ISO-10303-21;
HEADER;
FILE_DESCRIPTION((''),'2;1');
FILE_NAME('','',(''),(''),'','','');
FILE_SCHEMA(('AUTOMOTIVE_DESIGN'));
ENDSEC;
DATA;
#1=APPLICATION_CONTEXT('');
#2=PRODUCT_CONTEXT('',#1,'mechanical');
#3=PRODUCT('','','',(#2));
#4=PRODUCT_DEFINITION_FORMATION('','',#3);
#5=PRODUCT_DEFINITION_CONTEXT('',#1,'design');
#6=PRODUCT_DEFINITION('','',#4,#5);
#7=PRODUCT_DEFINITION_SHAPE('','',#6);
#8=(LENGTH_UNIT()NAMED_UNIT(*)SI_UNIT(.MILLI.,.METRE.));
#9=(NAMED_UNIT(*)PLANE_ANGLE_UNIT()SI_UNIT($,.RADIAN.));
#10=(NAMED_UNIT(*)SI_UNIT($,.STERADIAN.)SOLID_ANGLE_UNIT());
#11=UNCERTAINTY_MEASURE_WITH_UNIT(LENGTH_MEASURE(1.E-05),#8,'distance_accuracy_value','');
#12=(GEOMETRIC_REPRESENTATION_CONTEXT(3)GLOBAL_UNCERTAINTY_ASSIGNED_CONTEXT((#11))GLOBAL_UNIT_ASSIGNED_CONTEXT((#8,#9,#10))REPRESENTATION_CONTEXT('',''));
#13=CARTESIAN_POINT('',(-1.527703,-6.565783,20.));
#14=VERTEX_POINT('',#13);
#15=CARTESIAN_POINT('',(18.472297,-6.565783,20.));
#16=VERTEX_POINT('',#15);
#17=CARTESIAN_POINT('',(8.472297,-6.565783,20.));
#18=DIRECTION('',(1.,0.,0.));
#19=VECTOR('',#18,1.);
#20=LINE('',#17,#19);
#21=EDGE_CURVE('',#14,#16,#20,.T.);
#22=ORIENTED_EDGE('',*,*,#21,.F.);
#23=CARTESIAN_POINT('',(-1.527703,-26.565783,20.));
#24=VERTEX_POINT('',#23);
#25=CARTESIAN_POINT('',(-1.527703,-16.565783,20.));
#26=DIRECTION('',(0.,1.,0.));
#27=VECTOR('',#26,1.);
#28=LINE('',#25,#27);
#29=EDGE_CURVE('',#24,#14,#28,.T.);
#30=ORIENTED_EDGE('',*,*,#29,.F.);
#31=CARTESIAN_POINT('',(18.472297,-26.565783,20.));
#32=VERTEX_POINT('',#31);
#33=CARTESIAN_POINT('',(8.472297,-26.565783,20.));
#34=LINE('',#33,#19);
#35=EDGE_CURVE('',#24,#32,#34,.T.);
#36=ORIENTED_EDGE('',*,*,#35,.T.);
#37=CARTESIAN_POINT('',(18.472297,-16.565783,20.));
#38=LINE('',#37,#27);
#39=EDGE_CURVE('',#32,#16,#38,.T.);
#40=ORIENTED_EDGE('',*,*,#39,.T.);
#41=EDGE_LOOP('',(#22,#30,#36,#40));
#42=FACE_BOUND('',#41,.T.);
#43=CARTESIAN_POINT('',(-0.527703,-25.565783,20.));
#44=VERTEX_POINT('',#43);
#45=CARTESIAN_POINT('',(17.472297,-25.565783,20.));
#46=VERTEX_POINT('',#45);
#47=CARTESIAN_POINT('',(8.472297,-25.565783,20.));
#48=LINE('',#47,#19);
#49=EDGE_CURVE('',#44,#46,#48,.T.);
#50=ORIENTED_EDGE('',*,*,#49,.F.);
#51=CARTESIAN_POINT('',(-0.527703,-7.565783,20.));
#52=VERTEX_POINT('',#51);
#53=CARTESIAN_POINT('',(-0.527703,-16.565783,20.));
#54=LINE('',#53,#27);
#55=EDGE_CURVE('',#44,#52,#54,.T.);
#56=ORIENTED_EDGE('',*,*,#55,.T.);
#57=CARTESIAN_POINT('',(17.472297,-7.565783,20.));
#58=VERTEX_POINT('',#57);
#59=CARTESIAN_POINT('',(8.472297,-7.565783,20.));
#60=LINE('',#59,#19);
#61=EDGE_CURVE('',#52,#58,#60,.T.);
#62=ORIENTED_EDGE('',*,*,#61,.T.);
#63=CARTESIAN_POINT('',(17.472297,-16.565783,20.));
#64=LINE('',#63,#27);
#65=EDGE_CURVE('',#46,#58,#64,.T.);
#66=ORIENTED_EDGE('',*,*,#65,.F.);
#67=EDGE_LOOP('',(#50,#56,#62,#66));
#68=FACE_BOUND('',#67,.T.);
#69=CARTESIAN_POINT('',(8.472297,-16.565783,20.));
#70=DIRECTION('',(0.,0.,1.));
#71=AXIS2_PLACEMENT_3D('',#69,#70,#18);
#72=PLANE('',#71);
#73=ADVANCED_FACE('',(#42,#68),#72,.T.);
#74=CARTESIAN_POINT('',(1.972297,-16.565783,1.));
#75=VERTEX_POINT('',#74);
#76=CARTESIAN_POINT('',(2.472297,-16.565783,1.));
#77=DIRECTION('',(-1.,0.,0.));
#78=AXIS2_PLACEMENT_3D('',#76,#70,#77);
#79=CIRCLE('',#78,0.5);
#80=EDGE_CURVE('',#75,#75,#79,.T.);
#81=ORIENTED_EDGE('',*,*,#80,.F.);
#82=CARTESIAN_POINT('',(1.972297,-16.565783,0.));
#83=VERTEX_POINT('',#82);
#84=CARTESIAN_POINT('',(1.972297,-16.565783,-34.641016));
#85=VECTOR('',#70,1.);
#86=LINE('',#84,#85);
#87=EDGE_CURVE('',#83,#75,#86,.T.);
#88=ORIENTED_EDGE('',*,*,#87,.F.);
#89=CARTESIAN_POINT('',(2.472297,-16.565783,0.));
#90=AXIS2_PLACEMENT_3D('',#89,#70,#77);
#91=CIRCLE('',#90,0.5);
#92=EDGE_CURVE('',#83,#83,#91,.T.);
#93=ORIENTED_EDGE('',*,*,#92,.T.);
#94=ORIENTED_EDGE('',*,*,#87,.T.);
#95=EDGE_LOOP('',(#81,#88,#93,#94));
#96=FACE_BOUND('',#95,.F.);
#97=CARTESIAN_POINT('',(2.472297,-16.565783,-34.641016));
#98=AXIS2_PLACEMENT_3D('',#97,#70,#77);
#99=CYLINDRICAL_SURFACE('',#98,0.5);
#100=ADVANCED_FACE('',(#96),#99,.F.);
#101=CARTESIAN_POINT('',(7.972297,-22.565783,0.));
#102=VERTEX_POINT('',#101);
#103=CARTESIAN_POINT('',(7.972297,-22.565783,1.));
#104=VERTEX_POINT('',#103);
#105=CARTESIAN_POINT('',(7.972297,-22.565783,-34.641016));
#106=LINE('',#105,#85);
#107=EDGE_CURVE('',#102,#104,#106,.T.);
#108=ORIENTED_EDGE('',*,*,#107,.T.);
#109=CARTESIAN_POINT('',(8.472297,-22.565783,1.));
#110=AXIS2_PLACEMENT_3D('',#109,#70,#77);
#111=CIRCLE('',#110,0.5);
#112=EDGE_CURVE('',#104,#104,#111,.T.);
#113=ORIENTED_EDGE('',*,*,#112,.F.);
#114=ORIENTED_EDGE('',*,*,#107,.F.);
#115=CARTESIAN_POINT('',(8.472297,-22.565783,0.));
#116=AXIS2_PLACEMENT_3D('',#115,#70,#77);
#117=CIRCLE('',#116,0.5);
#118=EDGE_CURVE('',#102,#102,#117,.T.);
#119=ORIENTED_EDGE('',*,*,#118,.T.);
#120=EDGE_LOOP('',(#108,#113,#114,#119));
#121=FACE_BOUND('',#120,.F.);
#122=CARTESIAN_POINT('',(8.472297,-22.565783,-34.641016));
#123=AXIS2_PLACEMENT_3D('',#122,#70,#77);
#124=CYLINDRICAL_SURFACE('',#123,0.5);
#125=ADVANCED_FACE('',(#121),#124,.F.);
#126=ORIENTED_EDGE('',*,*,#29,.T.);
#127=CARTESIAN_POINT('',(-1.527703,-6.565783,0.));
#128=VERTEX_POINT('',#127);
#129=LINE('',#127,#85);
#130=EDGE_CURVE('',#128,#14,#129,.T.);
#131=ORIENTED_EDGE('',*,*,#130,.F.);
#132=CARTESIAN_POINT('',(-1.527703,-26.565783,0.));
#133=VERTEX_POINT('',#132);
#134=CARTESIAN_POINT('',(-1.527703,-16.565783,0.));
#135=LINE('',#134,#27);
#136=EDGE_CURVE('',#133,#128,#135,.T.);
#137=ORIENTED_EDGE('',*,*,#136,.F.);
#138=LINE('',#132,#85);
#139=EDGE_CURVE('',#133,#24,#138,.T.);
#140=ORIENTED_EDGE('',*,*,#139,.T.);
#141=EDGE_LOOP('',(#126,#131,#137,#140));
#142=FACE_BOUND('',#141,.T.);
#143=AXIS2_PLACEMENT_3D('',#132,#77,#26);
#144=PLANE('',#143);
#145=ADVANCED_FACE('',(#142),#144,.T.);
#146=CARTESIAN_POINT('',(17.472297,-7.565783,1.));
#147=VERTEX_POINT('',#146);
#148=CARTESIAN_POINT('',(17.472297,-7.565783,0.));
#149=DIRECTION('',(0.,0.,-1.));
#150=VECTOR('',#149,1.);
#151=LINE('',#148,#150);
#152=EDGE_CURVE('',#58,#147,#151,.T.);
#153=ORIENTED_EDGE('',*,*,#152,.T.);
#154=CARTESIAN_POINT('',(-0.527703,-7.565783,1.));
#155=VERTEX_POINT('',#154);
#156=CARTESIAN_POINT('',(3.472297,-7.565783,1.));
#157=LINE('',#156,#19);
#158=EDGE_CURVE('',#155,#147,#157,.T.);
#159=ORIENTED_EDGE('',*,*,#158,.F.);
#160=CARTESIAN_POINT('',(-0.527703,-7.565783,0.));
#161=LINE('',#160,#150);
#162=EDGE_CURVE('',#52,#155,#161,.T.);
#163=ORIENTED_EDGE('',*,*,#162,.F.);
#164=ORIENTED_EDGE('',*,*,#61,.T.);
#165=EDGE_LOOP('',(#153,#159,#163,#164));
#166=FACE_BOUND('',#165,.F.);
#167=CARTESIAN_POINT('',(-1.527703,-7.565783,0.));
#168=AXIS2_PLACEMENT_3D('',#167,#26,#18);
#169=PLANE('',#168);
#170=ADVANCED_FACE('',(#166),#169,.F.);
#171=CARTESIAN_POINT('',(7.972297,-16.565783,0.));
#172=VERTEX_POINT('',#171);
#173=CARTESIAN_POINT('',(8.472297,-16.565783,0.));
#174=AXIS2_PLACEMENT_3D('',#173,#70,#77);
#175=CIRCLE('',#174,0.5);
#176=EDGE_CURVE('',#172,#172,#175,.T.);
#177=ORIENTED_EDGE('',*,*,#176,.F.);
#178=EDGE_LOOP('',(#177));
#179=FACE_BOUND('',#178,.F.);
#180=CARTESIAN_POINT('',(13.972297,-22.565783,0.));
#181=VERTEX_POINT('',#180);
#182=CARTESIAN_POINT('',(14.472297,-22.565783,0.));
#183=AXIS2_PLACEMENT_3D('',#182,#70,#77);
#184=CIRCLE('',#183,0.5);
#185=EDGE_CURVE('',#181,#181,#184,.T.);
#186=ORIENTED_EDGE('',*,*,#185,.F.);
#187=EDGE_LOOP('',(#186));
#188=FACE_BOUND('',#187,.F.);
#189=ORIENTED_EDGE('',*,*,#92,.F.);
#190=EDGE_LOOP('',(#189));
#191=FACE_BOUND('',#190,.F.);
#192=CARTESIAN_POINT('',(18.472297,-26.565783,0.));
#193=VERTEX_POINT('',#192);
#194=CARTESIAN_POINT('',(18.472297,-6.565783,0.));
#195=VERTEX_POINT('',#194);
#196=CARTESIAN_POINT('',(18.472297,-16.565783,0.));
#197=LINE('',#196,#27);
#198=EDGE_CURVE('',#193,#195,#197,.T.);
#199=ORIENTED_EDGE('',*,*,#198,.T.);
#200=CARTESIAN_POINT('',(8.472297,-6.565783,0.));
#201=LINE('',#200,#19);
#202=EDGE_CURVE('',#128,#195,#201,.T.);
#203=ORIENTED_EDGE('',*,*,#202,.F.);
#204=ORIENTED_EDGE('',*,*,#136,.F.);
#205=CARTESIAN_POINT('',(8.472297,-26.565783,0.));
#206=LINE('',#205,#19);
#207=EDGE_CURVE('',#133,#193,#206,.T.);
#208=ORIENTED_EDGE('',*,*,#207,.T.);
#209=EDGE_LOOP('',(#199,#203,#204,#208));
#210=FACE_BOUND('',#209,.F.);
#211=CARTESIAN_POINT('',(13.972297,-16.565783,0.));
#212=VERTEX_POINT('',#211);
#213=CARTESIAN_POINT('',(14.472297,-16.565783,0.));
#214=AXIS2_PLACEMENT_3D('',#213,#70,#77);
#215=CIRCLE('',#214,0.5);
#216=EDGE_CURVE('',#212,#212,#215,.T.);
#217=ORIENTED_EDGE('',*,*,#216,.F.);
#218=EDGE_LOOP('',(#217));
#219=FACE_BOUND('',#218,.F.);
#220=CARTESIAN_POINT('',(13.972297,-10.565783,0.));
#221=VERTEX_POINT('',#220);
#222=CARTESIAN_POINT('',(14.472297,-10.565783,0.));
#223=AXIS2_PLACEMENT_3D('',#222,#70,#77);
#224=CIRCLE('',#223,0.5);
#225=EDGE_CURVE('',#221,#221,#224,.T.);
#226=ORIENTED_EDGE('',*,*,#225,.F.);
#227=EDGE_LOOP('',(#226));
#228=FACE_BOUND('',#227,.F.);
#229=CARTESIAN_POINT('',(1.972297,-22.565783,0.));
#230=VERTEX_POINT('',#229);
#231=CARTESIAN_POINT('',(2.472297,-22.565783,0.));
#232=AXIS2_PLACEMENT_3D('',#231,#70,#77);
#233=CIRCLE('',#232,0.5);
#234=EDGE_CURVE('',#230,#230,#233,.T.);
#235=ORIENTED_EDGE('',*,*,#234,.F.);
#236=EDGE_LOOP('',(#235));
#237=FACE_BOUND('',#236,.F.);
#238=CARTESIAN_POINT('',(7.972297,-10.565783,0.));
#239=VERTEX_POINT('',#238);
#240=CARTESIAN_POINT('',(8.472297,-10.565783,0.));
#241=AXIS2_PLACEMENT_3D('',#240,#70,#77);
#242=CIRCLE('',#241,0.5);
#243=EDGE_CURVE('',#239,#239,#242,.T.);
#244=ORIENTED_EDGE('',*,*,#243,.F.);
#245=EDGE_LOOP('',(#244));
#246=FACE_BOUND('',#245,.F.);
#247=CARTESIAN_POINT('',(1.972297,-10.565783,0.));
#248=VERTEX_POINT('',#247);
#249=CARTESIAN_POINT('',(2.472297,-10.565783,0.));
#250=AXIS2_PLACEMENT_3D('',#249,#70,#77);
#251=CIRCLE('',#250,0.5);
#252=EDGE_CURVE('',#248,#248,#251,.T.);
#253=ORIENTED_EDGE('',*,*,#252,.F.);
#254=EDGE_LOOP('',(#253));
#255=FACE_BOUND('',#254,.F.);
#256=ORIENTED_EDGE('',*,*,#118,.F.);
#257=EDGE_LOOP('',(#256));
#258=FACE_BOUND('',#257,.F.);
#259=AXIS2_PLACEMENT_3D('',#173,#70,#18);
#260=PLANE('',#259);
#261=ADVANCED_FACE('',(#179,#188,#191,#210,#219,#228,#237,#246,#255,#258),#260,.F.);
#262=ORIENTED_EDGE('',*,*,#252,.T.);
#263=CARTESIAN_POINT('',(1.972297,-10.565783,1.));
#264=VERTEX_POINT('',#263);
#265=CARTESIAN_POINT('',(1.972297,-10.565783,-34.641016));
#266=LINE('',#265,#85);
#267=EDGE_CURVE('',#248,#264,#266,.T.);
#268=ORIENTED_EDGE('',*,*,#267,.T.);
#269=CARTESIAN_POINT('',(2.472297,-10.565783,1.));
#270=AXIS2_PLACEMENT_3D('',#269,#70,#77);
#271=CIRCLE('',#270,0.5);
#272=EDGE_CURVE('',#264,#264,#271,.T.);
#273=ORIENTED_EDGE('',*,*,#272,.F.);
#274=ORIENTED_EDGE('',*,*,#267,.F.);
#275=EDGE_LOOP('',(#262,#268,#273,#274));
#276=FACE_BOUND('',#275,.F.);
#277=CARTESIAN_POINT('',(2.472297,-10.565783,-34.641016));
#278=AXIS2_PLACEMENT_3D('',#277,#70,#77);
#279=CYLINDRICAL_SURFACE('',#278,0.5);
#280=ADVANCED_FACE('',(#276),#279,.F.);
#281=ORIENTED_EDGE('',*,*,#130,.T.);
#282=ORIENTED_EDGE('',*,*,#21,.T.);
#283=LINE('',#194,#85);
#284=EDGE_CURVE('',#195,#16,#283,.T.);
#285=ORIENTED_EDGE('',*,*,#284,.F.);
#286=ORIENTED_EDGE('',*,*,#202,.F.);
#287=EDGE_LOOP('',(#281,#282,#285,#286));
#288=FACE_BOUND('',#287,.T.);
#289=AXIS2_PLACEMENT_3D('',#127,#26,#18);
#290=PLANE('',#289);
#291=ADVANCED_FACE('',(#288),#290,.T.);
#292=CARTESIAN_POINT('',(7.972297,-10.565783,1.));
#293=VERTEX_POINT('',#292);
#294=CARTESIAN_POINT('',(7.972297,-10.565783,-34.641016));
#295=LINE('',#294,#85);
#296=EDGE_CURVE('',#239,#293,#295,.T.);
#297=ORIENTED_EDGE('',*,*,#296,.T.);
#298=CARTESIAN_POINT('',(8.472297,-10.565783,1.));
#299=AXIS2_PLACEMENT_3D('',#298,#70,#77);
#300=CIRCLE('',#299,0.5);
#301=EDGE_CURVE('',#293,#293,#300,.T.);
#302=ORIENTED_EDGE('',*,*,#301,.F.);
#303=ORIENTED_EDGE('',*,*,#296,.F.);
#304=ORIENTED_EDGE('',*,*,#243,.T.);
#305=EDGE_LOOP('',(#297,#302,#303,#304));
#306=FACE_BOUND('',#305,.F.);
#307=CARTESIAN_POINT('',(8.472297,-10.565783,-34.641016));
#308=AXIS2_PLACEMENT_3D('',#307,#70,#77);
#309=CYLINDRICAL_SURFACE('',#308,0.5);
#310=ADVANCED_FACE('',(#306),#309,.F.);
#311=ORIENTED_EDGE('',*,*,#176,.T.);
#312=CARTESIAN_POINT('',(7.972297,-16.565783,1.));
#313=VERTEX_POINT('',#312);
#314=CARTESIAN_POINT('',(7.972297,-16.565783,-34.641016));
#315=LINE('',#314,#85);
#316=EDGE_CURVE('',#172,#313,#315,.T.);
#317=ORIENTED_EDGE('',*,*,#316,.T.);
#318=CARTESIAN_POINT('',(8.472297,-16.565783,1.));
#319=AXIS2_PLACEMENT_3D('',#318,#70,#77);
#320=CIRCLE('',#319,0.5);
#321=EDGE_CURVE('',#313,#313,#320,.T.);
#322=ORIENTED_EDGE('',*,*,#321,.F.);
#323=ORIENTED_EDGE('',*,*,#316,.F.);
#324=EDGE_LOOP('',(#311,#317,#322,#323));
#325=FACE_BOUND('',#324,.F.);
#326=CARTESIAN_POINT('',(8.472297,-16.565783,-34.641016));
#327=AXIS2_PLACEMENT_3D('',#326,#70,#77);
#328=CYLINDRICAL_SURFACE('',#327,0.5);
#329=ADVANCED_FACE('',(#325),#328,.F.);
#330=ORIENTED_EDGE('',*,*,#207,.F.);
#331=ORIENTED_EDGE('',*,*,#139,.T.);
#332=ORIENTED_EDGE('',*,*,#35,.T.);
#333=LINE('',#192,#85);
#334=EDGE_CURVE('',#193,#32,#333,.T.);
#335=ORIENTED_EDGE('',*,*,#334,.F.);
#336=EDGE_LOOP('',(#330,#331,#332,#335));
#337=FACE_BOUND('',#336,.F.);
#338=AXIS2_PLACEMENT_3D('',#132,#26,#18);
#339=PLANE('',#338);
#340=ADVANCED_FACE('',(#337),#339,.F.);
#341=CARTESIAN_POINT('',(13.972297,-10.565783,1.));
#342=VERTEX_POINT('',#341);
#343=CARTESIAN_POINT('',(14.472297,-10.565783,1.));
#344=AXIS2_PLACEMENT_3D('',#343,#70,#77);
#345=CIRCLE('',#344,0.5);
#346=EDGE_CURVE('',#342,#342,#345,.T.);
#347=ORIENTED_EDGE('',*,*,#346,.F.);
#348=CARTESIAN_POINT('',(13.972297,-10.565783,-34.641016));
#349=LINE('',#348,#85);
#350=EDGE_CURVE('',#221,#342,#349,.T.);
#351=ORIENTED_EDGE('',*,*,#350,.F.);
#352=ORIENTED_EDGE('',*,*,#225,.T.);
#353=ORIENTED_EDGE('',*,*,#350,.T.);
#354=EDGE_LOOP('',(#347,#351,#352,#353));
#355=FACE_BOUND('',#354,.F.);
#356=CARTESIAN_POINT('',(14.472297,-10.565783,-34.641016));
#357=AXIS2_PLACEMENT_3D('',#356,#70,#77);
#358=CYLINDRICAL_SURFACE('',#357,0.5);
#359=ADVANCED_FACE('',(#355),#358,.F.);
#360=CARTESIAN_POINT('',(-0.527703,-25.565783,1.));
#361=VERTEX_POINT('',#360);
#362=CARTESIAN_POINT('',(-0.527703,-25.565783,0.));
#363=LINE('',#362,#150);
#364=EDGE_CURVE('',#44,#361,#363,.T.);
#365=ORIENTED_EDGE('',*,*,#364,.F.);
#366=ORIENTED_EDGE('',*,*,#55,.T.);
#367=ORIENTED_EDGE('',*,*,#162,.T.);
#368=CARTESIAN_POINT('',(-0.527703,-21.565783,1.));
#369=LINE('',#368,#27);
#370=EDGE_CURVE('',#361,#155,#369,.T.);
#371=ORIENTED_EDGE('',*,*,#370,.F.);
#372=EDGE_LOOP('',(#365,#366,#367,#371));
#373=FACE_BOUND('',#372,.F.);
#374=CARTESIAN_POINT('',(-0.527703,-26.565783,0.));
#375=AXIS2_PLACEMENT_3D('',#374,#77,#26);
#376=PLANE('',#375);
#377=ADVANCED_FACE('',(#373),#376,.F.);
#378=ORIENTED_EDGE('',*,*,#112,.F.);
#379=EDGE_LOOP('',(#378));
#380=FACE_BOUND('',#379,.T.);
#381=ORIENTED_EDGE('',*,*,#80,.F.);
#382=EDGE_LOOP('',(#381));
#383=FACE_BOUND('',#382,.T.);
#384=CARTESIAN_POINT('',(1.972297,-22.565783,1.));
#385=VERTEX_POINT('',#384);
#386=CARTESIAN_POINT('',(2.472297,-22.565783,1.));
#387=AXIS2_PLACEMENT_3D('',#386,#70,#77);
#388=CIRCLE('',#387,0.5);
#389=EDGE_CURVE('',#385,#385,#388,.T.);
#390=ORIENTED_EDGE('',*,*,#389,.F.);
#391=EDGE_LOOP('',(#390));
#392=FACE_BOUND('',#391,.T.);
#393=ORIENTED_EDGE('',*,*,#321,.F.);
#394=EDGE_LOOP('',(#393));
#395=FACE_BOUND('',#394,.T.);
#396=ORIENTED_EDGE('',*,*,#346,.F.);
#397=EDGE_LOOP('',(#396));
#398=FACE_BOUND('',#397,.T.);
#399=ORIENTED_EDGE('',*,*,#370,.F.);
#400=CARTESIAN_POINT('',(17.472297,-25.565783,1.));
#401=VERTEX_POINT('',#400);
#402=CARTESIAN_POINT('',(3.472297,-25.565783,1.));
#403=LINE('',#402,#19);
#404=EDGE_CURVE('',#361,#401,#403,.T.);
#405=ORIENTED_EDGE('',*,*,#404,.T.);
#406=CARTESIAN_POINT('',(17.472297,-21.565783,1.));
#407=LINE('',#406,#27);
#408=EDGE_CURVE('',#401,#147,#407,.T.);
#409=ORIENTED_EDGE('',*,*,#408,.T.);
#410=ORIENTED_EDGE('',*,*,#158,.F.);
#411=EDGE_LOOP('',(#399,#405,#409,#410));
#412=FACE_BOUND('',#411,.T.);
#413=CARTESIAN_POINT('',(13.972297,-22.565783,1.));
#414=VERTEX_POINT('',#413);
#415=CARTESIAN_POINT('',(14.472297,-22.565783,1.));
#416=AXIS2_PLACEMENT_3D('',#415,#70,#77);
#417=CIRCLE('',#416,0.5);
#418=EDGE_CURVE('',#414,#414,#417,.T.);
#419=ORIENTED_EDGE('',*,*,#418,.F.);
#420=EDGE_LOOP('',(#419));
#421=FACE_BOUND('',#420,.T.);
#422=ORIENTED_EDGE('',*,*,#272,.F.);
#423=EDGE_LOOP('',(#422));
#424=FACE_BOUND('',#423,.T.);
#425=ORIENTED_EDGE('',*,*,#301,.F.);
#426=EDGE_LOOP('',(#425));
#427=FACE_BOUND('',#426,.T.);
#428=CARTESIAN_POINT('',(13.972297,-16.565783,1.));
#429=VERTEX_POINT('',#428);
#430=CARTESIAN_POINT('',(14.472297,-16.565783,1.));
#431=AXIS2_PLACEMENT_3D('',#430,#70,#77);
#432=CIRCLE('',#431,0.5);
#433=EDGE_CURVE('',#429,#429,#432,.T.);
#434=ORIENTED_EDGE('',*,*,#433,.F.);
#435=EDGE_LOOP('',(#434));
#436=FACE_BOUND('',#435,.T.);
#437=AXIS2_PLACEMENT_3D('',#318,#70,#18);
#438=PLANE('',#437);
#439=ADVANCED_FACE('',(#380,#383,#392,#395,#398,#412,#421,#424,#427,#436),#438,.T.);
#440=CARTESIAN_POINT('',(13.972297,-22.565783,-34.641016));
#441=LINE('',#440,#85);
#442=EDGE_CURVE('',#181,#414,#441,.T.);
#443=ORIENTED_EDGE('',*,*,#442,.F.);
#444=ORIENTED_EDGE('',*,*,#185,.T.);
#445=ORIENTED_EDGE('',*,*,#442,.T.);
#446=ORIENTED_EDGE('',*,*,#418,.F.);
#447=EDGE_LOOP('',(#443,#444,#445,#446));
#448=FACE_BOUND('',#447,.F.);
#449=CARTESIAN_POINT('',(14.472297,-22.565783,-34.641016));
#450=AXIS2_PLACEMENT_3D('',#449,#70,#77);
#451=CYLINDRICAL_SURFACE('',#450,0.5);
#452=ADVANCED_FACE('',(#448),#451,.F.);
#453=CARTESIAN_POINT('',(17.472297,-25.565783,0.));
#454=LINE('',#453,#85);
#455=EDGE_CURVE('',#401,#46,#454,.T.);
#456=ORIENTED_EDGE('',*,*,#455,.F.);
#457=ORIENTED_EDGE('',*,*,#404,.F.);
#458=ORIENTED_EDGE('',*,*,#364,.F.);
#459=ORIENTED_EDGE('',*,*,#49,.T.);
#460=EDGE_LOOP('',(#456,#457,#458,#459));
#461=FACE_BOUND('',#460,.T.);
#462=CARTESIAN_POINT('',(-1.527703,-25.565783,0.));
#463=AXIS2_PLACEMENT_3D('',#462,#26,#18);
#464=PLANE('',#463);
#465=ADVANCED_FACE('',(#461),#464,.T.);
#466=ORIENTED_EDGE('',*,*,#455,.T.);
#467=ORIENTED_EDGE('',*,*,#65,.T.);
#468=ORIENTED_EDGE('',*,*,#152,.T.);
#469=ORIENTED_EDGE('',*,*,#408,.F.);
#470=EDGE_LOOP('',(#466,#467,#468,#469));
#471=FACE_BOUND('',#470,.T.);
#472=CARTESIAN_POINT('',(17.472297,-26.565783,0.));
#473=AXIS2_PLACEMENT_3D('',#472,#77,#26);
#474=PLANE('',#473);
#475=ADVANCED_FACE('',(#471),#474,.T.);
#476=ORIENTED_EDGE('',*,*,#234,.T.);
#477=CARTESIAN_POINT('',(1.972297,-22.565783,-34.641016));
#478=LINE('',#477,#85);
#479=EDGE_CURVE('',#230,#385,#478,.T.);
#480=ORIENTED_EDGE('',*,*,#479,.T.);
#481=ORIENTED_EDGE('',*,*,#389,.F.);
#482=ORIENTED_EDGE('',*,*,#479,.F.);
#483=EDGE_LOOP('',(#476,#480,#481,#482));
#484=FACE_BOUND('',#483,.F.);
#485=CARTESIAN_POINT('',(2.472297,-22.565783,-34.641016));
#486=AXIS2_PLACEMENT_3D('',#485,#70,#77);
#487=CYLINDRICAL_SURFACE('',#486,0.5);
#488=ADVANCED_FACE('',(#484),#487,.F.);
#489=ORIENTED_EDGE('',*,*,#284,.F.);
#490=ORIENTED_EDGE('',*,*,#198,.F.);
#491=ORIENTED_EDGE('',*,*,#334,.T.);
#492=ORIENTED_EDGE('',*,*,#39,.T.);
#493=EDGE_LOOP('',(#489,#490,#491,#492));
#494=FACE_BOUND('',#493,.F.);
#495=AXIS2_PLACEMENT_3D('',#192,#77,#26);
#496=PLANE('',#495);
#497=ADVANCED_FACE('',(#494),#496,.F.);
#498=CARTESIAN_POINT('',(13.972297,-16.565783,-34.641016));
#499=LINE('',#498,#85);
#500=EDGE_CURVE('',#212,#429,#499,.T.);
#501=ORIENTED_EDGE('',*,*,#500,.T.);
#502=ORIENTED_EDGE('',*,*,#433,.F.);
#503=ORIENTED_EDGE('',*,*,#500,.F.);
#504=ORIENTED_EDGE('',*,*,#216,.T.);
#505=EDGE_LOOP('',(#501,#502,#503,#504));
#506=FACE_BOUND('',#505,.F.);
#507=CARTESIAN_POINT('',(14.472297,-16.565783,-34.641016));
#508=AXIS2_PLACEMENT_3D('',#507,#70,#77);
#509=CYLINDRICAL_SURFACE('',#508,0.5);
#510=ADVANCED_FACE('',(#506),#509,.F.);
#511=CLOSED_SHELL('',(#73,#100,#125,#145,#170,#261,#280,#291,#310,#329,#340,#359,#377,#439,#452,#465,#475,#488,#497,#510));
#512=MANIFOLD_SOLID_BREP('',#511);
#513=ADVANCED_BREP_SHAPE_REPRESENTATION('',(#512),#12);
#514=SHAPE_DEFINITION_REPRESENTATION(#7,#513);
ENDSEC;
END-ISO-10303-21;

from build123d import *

# Parameters (mm, degrees)
F0_W     = 20
F0_H     = 20
F1_DEPTH = 20
F2_T     = -1
F4_D     = 1


with BuildPart() as f1:
    # F0 (on Top) → F1 (new body)
    with BuildSketch(Plane.XY):
        with Locations((8.472297, -16.565783)):
            Rectangle(F0_W, F0_H)
    extrude(amount=F1_DEPTH)

    # F2
    f2_openings = [f1.faces().sort_by_distance(p)[0] for p in [
        (8.472297, -16.565783, 20),
    ]]
    offset(amount=F2_T, openings=f2_openings)

    # F4 (through all)
    with Locations(Plane(origin=(0, 0, 0), x_dir=(1, 0, 0), z_dir=(0, 0, -1))):
        with Locations((14.472297, 10.565783), (8.472297, 10.565783), (2.472297, 10.565783), (2.472297, 16.565783), (8.472297, 16.565783), (14.472297, 16.565783), (14.472297, 22.565783), (8.472297, 22.565783), (2.472297, 22.565783)):
            Hole(F4_D / 2)


solid = f1.part
